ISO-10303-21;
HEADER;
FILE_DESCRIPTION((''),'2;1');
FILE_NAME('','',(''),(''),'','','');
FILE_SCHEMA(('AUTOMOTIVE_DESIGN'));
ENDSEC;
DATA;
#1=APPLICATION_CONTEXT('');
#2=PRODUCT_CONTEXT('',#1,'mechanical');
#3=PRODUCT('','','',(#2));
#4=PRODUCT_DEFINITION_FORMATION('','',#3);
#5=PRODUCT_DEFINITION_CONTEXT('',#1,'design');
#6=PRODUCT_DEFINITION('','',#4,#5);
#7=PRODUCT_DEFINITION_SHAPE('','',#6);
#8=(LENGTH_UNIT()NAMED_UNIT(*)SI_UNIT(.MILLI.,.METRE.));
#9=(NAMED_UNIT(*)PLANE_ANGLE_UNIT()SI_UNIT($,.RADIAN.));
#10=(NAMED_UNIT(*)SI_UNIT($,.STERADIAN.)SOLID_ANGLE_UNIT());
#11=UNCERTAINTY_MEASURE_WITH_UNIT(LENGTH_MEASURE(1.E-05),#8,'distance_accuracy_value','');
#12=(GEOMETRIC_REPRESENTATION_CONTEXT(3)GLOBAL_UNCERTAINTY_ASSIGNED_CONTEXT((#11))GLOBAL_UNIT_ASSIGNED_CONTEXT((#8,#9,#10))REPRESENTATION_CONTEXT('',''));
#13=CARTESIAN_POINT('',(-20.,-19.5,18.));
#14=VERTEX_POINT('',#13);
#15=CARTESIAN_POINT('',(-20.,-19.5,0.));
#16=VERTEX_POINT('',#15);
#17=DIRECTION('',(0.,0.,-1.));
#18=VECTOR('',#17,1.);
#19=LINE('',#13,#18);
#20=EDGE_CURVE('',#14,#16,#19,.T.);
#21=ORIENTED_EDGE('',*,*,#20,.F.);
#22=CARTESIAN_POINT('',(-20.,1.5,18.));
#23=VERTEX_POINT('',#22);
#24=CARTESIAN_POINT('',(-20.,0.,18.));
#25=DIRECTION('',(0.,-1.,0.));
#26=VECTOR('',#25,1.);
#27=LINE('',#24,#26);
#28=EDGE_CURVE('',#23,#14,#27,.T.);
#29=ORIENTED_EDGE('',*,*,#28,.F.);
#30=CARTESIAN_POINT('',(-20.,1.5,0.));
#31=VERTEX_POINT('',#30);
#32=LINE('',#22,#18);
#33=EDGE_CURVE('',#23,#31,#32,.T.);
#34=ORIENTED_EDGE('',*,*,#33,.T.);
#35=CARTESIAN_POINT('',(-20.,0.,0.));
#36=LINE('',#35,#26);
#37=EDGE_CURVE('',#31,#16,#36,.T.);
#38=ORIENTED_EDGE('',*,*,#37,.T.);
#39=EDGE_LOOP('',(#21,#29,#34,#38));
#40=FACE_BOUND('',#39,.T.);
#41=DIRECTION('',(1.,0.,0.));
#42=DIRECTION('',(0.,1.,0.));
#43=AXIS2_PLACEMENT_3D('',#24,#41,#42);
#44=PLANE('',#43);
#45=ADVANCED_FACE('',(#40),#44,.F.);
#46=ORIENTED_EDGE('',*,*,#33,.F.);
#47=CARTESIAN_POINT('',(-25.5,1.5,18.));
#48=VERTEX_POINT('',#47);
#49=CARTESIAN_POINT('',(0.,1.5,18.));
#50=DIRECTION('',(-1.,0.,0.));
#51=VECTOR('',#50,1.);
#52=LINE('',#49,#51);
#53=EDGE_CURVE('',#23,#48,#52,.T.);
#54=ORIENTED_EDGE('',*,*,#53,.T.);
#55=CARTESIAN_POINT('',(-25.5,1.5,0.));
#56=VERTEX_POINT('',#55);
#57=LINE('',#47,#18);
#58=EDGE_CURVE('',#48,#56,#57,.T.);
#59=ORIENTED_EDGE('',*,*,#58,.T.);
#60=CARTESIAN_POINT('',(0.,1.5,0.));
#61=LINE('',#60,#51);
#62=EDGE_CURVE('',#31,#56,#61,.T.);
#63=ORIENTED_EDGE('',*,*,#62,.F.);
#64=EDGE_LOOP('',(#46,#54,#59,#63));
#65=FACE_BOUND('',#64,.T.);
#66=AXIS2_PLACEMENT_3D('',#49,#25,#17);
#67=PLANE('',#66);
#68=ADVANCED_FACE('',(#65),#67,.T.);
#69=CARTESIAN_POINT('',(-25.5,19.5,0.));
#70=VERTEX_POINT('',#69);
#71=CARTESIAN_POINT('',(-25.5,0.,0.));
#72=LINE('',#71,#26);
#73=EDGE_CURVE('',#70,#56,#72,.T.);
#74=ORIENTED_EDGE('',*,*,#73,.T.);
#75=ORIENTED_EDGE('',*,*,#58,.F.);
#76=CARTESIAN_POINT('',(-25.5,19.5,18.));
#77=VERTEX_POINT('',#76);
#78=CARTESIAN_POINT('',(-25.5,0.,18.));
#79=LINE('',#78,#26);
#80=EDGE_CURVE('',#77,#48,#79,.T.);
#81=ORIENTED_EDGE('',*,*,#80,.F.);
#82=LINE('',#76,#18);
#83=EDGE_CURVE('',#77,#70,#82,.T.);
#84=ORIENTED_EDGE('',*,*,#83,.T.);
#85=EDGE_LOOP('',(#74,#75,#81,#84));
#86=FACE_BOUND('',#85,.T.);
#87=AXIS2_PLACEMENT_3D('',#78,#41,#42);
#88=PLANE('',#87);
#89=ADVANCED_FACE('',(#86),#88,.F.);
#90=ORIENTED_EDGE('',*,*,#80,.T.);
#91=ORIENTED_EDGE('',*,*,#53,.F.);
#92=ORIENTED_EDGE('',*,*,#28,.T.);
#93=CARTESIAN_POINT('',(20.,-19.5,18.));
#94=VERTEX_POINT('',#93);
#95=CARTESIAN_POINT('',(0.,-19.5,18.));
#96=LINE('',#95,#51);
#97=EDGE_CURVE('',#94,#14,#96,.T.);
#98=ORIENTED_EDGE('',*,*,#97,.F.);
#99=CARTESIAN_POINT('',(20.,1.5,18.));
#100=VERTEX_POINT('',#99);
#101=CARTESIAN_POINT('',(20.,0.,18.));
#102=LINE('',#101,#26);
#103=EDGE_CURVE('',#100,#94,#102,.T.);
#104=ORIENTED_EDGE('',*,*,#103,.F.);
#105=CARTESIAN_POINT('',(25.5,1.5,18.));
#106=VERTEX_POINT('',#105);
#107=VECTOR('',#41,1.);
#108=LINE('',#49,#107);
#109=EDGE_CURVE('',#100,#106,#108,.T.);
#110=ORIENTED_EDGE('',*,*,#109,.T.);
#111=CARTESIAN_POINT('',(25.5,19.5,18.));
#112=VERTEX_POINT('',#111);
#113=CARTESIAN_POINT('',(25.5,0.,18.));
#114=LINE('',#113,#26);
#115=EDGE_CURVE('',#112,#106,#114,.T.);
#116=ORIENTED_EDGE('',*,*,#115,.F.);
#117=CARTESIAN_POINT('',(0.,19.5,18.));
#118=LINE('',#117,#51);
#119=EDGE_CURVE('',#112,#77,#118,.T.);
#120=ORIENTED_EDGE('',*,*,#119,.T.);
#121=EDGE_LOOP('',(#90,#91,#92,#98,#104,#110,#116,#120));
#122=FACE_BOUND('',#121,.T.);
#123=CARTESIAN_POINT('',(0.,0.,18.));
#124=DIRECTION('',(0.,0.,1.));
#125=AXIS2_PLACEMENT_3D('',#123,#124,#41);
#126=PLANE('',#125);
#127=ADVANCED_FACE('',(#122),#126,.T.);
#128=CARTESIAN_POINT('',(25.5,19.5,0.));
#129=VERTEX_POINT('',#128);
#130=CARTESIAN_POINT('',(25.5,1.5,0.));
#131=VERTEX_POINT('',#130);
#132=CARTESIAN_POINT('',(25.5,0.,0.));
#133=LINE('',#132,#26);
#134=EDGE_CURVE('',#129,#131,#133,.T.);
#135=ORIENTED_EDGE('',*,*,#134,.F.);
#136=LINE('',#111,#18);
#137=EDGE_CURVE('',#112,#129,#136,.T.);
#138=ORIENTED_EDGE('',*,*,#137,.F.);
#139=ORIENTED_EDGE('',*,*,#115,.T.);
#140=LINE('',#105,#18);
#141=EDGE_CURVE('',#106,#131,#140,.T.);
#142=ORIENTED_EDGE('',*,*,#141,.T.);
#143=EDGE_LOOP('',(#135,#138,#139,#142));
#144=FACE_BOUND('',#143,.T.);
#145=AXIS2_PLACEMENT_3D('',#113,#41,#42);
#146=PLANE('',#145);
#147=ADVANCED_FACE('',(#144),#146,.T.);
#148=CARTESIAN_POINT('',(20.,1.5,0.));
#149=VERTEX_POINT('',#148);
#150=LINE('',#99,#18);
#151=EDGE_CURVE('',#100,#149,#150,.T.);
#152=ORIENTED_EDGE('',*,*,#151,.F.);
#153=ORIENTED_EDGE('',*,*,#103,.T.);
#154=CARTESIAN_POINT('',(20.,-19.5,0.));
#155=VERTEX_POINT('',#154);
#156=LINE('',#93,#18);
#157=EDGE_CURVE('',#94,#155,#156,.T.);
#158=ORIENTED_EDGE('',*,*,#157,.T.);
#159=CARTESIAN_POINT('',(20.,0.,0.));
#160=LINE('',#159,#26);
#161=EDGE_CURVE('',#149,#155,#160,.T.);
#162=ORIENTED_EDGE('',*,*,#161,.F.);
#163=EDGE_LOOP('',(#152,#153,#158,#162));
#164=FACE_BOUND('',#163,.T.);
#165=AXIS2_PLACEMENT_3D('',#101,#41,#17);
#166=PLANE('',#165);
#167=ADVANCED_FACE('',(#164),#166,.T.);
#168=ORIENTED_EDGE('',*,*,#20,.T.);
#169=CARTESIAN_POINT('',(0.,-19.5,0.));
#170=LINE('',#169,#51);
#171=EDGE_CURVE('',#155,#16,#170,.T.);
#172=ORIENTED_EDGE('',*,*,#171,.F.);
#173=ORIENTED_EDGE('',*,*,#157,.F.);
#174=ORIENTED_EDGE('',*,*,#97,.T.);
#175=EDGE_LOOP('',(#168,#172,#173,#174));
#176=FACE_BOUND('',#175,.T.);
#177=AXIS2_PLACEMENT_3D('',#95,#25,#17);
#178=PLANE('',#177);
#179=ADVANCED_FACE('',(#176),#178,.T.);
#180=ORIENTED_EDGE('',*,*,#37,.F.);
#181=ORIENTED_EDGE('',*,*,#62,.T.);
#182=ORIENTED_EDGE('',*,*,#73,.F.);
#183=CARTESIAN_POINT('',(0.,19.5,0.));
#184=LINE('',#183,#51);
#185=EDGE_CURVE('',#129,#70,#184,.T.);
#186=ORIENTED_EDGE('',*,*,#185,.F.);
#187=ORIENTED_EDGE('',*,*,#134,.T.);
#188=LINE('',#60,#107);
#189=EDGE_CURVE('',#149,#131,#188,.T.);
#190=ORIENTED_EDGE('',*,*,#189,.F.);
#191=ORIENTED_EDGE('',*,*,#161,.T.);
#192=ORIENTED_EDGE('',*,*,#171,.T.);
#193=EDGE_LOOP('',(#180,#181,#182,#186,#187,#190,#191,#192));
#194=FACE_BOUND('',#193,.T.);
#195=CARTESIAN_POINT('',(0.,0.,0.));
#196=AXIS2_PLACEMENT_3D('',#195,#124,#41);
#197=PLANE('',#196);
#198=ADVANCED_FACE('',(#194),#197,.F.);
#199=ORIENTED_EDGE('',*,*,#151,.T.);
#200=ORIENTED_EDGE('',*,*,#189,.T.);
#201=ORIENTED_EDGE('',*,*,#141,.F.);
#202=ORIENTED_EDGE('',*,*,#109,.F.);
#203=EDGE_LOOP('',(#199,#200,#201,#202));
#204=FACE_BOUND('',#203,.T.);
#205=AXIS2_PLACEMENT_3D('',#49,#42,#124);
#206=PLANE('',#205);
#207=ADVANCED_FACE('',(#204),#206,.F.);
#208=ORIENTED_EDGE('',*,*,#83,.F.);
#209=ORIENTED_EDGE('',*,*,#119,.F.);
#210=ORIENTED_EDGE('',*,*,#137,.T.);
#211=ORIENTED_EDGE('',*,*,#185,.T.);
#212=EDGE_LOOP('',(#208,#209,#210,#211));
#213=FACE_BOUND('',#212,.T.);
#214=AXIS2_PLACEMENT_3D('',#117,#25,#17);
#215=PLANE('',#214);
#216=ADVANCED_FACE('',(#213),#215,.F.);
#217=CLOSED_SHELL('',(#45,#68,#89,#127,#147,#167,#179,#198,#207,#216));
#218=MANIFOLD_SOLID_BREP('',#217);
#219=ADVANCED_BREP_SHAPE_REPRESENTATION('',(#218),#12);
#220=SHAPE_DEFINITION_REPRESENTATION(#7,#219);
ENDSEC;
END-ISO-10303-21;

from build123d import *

# Parameters (mm, degrees)
SKETCH_1_W      = 40
SKETCH_1_H      = 39
SKETCH_1_W_2    = 5.5
SKETCH_1_H_2    = 18
EXTRUDE_1_DEPTH = 18


with BuildPart() as part:
    # 草图1 → 凸台-拉伸1 (new body)
    with BuildSketch(Plane.XY):
        Rectangle(SKETCH_1_W, SKETCH_1_H)
        with Locations((-22.75, 10.5)):
            Rectangle(SKETCH_1_W_2, SKETCH_1_H_2)
        with Locations((22.75, 10.5)):
            Rectangle(SKETCH_1_W_2, SKETCH_1_H_2)
    extrude(amount=EXTRUDE_1_DEPTH)


solid = part.part
